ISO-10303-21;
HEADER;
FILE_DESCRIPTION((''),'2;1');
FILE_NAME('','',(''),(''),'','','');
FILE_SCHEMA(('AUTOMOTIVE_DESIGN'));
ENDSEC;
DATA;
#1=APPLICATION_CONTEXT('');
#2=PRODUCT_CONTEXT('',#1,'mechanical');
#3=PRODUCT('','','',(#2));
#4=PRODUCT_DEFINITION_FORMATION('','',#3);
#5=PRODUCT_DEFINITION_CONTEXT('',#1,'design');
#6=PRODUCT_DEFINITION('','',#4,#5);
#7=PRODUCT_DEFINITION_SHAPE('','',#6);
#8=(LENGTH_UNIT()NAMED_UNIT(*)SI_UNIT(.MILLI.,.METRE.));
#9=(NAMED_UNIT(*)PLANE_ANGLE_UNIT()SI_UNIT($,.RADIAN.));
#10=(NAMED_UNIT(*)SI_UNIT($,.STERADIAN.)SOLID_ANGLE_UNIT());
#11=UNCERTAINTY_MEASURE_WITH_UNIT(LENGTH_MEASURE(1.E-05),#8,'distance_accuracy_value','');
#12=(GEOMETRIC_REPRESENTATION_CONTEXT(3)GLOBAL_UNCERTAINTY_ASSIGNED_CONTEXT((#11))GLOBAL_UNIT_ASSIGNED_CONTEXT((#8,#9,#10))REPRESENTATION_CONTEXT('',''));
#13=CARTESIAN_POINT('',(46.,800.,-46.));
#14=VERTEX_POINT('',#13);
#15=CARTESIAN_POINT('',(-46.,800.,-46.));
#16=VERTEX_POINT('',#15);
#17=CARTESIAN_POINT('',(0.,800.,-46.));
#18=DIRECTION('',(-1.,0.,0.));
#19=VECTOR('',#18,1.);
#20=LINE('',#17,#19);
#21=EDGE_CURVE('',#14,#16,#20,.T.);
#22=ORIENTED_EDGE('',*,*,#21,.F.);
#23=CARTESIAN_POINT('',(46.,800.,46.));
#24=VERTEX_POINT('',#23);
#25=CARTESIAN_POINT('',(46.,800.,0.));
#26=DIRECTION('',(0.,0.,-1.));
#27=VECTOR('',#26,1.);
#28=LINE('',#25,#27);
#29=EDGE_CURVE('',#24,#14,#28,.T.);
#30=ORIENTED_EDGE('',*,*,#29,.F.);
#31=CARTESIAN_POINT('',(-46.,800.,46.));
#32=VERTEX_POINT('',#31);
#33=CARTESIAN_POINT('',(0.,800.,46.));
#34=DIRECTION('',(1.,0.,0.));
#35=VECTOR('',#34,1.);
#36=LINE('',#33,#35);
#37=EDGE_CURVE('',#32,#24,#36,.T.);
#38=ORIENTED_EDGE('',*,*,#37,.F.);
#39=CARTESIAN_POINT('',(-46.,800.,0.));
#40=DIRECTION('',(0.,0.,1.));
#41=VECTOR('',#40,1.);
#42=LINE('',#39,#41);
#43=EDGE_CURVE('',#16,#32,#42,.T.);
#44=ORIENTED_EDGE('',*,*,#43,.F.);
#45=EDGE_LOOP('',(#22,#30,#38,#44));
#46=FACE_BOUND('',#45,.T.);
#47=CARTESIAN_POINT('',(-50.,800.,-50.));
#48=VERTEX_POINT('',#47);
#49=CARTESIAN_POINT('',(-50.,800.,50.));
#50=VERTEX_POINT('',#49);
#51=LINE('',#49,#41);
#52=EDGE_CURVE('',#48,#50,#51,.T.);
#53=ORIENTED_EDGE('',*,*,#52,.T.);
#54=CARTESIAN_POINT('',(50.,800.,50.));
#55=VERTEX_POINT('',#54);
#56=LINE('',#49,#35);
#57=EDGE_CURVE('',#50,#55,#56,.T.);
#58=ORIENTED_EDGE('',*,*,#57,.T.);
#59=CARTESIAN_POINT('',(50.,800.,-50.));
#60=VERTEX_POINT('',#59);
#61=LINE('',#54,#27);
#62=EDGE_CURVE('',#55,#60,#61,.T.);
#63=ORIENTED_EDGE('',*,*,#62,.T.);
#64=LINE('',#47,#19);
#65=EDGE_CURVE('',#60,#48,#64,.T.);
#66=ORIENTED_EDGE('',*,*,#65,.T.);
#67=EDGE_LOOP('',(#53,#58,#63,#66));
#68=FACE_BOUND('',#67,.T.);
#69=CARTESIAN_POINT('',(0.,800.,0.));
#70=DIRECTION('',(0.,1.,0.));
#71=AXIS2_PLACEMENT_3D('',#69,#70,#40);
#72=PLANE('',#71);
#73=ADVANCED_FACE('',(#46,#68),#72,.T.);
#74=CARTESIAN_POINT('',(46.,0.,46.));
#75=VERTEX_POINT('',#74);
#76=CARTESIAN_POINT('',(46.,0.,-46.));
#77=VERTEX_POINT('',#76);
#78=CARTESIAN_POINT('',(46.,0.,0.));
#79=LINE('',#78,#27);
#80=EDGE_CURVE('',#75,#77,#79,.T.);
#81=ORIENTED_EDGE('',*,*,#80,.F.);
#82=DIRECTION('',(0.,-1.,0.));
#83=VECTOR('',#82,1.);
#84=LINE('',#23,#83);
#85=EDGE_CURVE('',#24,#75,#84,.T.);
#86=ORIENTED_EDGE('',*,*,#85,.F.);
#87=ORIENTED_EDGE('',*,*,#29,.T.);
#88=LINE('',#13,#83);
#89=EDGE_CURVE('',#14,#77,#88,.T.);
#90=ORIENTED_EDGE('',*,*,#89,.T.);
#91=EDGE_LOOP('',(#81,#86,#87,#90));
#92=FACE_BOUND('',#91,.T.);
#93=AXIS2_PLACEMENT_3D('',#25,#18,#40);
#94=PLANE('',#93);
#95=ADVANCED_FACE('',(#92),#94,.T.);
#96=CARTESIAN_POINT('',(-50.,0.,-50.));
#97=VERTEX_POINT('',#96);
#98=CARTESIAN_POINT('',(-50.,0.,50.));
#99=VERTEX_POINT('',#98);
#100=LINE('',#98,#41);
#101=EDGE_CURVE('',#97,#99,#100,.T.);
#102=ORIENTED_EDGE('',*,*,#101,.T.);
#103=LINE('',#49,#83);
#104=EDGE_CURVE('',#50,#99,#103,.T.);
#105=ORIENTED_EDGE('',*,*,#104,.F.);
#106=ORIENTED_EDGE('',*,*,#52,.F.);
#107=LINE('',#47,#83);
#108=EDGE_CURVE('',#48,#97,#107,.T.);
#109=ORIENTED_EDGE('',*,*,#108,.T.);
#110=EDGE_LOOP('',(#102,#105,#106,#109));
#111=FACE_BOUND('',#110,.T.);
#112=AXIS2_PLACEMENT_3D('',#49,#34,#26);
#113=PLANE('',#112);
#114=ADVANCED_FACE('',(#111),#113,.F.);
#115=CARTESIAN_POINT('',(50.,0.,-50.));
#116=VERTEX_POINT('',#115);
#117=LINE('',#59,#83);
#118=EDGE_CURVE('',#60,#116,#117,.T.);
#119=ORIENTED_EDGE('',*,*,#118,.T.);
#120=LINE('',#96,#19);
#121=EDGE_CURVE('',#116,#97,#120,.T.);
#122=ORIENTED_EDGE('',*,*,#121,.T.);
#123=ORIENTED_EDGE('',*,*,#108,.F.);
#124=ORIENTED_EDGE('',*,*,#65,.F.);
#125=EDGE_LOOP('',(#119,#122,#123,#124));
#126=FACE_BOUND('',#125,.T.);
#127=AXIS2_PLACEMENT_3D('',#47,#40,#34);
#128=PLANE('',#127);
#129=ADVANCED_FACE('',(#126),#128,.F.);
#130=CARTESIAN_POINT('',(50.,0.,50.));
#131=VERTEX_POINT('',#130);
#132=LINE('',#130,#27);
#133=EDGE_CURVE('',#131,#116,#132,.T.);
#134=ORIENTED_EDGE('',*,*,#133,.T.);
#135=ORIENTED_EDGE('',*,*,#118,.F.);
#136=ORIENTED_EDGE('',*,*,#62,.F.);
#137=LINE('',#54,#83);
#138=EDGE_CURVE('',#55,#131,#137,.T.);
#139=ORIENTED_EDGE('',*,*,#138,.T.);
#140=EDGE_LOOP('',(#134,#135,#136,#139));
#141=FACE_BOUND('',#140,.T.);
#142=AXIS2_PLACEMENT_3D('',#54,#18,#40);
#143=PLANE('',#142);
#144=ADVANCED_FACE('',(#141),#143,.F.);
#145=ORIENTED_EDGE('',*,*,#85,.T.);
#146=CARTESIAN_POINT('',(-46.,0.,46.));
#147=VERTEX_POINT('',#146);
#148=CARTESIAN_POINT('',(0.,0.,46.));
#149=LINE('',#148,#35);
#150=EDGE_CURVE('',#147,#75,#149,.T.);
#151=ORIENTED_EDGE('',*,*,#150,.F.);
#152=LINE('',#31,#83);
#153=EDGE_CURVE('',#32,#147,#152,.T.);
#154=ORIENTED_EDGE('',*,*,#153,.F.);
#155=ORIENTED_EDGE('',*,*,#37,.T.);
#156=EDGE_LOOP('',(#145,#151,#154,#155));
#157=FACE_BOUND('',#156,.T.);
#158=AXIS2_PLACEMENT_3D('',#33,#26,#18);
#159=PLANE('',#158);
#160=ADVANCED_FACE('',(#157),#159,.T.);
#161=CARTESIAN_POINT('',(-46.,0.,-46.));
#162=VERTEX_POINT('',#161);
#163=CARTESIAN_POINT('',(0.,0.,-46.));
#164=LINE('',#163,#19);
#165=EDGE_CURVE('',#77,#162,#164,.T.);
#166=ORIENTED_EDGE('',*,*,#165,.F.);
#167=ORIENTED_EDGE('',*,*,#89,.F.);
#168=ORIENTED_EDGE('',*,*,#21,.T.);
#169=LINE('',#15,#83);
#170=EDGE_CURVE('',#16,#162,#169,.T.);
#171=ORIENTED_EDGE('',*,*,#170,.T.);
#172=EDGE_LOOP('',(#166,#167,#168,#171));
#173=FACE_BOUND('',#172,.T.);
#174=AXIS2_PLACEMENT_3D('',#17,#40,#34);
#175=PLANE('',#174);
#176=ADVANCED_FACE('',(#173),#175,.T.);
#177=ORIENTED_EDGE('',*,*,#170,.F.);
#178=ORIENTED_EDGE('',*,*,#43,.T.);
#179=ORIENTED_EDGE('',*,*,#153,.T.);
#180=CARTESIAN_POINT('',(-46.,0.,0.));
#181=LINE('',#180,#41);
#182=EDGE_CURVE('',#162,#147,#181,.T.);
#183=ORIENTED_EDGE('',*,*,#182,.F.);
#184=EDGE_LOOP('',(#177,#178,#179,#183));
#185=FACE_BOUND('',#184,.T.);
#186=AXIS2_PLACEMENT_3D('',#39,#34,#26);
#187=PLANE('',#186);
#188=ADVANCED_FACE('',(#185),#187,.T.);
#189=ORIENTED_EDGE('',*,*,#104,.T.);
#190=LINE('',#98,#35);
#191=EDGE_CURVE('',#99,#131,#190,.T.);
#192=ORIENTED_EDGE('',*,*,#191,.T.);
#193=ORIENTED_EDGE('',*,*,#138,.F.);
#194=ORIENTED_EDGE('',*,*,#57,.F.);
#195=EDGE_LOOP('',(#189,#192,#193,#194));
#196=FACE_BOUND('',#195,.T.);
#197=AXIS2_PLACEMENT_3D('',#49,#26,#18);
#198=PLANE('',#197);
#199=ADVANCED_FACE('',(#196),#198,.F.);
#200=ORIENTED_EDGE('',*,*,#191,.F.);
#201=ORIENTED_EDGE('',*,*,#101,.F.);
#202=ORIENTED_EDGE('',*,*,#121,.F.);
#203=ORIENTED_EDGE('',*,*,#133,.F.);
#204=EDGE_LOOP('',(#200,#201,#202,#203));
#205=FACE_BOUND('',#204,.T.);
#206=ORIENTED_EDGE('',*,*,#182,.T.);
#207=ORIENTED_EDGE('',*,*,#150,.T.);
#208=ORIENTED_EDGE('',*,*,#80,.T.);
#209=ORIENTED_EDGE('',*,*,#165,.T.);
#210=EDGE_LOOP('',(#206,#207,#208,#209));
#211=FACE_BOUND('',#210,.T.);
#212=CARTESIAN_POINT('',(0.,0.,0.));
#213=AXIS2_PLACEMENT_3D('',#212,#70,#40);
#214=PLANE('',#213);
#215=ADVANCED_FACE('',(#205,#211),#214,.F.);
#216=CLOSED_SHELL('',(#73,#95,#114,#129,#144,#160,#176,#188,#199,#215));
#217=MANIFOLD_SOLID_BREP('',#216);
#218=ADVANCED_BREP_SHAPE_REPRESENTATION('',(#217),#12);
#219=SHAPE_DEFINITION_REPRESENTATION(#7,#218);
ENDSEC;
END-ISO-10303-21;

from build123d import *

# Parameters (mm, degrees)
SKETCH_1_W      = 100
SKETCH_1_H      = 100
SKETCH_1_W_2    = 92
SKETCH_1_H_2    = 92
EXTRUDE_1_DEPTH = 800


with BuildPart() as part:
    # Эскиз1 → Вытянуть-Тонкостенный1 (new body)
    with BuildSketch(Plane(origin=(0, 0, 0), x_dir=(1, 0, 0), z_dir=(0, 1, 0))):
        Rectangle(SKETCH_1_W, SKETCH_1_H)
        Rectangle(SKETCH_1_W_2, SKETCH_1_H_2, mode=Mode.SUBTRACT)
    extrude(amount=EXTRUDE_1_DEPTH)


solid = part.part
